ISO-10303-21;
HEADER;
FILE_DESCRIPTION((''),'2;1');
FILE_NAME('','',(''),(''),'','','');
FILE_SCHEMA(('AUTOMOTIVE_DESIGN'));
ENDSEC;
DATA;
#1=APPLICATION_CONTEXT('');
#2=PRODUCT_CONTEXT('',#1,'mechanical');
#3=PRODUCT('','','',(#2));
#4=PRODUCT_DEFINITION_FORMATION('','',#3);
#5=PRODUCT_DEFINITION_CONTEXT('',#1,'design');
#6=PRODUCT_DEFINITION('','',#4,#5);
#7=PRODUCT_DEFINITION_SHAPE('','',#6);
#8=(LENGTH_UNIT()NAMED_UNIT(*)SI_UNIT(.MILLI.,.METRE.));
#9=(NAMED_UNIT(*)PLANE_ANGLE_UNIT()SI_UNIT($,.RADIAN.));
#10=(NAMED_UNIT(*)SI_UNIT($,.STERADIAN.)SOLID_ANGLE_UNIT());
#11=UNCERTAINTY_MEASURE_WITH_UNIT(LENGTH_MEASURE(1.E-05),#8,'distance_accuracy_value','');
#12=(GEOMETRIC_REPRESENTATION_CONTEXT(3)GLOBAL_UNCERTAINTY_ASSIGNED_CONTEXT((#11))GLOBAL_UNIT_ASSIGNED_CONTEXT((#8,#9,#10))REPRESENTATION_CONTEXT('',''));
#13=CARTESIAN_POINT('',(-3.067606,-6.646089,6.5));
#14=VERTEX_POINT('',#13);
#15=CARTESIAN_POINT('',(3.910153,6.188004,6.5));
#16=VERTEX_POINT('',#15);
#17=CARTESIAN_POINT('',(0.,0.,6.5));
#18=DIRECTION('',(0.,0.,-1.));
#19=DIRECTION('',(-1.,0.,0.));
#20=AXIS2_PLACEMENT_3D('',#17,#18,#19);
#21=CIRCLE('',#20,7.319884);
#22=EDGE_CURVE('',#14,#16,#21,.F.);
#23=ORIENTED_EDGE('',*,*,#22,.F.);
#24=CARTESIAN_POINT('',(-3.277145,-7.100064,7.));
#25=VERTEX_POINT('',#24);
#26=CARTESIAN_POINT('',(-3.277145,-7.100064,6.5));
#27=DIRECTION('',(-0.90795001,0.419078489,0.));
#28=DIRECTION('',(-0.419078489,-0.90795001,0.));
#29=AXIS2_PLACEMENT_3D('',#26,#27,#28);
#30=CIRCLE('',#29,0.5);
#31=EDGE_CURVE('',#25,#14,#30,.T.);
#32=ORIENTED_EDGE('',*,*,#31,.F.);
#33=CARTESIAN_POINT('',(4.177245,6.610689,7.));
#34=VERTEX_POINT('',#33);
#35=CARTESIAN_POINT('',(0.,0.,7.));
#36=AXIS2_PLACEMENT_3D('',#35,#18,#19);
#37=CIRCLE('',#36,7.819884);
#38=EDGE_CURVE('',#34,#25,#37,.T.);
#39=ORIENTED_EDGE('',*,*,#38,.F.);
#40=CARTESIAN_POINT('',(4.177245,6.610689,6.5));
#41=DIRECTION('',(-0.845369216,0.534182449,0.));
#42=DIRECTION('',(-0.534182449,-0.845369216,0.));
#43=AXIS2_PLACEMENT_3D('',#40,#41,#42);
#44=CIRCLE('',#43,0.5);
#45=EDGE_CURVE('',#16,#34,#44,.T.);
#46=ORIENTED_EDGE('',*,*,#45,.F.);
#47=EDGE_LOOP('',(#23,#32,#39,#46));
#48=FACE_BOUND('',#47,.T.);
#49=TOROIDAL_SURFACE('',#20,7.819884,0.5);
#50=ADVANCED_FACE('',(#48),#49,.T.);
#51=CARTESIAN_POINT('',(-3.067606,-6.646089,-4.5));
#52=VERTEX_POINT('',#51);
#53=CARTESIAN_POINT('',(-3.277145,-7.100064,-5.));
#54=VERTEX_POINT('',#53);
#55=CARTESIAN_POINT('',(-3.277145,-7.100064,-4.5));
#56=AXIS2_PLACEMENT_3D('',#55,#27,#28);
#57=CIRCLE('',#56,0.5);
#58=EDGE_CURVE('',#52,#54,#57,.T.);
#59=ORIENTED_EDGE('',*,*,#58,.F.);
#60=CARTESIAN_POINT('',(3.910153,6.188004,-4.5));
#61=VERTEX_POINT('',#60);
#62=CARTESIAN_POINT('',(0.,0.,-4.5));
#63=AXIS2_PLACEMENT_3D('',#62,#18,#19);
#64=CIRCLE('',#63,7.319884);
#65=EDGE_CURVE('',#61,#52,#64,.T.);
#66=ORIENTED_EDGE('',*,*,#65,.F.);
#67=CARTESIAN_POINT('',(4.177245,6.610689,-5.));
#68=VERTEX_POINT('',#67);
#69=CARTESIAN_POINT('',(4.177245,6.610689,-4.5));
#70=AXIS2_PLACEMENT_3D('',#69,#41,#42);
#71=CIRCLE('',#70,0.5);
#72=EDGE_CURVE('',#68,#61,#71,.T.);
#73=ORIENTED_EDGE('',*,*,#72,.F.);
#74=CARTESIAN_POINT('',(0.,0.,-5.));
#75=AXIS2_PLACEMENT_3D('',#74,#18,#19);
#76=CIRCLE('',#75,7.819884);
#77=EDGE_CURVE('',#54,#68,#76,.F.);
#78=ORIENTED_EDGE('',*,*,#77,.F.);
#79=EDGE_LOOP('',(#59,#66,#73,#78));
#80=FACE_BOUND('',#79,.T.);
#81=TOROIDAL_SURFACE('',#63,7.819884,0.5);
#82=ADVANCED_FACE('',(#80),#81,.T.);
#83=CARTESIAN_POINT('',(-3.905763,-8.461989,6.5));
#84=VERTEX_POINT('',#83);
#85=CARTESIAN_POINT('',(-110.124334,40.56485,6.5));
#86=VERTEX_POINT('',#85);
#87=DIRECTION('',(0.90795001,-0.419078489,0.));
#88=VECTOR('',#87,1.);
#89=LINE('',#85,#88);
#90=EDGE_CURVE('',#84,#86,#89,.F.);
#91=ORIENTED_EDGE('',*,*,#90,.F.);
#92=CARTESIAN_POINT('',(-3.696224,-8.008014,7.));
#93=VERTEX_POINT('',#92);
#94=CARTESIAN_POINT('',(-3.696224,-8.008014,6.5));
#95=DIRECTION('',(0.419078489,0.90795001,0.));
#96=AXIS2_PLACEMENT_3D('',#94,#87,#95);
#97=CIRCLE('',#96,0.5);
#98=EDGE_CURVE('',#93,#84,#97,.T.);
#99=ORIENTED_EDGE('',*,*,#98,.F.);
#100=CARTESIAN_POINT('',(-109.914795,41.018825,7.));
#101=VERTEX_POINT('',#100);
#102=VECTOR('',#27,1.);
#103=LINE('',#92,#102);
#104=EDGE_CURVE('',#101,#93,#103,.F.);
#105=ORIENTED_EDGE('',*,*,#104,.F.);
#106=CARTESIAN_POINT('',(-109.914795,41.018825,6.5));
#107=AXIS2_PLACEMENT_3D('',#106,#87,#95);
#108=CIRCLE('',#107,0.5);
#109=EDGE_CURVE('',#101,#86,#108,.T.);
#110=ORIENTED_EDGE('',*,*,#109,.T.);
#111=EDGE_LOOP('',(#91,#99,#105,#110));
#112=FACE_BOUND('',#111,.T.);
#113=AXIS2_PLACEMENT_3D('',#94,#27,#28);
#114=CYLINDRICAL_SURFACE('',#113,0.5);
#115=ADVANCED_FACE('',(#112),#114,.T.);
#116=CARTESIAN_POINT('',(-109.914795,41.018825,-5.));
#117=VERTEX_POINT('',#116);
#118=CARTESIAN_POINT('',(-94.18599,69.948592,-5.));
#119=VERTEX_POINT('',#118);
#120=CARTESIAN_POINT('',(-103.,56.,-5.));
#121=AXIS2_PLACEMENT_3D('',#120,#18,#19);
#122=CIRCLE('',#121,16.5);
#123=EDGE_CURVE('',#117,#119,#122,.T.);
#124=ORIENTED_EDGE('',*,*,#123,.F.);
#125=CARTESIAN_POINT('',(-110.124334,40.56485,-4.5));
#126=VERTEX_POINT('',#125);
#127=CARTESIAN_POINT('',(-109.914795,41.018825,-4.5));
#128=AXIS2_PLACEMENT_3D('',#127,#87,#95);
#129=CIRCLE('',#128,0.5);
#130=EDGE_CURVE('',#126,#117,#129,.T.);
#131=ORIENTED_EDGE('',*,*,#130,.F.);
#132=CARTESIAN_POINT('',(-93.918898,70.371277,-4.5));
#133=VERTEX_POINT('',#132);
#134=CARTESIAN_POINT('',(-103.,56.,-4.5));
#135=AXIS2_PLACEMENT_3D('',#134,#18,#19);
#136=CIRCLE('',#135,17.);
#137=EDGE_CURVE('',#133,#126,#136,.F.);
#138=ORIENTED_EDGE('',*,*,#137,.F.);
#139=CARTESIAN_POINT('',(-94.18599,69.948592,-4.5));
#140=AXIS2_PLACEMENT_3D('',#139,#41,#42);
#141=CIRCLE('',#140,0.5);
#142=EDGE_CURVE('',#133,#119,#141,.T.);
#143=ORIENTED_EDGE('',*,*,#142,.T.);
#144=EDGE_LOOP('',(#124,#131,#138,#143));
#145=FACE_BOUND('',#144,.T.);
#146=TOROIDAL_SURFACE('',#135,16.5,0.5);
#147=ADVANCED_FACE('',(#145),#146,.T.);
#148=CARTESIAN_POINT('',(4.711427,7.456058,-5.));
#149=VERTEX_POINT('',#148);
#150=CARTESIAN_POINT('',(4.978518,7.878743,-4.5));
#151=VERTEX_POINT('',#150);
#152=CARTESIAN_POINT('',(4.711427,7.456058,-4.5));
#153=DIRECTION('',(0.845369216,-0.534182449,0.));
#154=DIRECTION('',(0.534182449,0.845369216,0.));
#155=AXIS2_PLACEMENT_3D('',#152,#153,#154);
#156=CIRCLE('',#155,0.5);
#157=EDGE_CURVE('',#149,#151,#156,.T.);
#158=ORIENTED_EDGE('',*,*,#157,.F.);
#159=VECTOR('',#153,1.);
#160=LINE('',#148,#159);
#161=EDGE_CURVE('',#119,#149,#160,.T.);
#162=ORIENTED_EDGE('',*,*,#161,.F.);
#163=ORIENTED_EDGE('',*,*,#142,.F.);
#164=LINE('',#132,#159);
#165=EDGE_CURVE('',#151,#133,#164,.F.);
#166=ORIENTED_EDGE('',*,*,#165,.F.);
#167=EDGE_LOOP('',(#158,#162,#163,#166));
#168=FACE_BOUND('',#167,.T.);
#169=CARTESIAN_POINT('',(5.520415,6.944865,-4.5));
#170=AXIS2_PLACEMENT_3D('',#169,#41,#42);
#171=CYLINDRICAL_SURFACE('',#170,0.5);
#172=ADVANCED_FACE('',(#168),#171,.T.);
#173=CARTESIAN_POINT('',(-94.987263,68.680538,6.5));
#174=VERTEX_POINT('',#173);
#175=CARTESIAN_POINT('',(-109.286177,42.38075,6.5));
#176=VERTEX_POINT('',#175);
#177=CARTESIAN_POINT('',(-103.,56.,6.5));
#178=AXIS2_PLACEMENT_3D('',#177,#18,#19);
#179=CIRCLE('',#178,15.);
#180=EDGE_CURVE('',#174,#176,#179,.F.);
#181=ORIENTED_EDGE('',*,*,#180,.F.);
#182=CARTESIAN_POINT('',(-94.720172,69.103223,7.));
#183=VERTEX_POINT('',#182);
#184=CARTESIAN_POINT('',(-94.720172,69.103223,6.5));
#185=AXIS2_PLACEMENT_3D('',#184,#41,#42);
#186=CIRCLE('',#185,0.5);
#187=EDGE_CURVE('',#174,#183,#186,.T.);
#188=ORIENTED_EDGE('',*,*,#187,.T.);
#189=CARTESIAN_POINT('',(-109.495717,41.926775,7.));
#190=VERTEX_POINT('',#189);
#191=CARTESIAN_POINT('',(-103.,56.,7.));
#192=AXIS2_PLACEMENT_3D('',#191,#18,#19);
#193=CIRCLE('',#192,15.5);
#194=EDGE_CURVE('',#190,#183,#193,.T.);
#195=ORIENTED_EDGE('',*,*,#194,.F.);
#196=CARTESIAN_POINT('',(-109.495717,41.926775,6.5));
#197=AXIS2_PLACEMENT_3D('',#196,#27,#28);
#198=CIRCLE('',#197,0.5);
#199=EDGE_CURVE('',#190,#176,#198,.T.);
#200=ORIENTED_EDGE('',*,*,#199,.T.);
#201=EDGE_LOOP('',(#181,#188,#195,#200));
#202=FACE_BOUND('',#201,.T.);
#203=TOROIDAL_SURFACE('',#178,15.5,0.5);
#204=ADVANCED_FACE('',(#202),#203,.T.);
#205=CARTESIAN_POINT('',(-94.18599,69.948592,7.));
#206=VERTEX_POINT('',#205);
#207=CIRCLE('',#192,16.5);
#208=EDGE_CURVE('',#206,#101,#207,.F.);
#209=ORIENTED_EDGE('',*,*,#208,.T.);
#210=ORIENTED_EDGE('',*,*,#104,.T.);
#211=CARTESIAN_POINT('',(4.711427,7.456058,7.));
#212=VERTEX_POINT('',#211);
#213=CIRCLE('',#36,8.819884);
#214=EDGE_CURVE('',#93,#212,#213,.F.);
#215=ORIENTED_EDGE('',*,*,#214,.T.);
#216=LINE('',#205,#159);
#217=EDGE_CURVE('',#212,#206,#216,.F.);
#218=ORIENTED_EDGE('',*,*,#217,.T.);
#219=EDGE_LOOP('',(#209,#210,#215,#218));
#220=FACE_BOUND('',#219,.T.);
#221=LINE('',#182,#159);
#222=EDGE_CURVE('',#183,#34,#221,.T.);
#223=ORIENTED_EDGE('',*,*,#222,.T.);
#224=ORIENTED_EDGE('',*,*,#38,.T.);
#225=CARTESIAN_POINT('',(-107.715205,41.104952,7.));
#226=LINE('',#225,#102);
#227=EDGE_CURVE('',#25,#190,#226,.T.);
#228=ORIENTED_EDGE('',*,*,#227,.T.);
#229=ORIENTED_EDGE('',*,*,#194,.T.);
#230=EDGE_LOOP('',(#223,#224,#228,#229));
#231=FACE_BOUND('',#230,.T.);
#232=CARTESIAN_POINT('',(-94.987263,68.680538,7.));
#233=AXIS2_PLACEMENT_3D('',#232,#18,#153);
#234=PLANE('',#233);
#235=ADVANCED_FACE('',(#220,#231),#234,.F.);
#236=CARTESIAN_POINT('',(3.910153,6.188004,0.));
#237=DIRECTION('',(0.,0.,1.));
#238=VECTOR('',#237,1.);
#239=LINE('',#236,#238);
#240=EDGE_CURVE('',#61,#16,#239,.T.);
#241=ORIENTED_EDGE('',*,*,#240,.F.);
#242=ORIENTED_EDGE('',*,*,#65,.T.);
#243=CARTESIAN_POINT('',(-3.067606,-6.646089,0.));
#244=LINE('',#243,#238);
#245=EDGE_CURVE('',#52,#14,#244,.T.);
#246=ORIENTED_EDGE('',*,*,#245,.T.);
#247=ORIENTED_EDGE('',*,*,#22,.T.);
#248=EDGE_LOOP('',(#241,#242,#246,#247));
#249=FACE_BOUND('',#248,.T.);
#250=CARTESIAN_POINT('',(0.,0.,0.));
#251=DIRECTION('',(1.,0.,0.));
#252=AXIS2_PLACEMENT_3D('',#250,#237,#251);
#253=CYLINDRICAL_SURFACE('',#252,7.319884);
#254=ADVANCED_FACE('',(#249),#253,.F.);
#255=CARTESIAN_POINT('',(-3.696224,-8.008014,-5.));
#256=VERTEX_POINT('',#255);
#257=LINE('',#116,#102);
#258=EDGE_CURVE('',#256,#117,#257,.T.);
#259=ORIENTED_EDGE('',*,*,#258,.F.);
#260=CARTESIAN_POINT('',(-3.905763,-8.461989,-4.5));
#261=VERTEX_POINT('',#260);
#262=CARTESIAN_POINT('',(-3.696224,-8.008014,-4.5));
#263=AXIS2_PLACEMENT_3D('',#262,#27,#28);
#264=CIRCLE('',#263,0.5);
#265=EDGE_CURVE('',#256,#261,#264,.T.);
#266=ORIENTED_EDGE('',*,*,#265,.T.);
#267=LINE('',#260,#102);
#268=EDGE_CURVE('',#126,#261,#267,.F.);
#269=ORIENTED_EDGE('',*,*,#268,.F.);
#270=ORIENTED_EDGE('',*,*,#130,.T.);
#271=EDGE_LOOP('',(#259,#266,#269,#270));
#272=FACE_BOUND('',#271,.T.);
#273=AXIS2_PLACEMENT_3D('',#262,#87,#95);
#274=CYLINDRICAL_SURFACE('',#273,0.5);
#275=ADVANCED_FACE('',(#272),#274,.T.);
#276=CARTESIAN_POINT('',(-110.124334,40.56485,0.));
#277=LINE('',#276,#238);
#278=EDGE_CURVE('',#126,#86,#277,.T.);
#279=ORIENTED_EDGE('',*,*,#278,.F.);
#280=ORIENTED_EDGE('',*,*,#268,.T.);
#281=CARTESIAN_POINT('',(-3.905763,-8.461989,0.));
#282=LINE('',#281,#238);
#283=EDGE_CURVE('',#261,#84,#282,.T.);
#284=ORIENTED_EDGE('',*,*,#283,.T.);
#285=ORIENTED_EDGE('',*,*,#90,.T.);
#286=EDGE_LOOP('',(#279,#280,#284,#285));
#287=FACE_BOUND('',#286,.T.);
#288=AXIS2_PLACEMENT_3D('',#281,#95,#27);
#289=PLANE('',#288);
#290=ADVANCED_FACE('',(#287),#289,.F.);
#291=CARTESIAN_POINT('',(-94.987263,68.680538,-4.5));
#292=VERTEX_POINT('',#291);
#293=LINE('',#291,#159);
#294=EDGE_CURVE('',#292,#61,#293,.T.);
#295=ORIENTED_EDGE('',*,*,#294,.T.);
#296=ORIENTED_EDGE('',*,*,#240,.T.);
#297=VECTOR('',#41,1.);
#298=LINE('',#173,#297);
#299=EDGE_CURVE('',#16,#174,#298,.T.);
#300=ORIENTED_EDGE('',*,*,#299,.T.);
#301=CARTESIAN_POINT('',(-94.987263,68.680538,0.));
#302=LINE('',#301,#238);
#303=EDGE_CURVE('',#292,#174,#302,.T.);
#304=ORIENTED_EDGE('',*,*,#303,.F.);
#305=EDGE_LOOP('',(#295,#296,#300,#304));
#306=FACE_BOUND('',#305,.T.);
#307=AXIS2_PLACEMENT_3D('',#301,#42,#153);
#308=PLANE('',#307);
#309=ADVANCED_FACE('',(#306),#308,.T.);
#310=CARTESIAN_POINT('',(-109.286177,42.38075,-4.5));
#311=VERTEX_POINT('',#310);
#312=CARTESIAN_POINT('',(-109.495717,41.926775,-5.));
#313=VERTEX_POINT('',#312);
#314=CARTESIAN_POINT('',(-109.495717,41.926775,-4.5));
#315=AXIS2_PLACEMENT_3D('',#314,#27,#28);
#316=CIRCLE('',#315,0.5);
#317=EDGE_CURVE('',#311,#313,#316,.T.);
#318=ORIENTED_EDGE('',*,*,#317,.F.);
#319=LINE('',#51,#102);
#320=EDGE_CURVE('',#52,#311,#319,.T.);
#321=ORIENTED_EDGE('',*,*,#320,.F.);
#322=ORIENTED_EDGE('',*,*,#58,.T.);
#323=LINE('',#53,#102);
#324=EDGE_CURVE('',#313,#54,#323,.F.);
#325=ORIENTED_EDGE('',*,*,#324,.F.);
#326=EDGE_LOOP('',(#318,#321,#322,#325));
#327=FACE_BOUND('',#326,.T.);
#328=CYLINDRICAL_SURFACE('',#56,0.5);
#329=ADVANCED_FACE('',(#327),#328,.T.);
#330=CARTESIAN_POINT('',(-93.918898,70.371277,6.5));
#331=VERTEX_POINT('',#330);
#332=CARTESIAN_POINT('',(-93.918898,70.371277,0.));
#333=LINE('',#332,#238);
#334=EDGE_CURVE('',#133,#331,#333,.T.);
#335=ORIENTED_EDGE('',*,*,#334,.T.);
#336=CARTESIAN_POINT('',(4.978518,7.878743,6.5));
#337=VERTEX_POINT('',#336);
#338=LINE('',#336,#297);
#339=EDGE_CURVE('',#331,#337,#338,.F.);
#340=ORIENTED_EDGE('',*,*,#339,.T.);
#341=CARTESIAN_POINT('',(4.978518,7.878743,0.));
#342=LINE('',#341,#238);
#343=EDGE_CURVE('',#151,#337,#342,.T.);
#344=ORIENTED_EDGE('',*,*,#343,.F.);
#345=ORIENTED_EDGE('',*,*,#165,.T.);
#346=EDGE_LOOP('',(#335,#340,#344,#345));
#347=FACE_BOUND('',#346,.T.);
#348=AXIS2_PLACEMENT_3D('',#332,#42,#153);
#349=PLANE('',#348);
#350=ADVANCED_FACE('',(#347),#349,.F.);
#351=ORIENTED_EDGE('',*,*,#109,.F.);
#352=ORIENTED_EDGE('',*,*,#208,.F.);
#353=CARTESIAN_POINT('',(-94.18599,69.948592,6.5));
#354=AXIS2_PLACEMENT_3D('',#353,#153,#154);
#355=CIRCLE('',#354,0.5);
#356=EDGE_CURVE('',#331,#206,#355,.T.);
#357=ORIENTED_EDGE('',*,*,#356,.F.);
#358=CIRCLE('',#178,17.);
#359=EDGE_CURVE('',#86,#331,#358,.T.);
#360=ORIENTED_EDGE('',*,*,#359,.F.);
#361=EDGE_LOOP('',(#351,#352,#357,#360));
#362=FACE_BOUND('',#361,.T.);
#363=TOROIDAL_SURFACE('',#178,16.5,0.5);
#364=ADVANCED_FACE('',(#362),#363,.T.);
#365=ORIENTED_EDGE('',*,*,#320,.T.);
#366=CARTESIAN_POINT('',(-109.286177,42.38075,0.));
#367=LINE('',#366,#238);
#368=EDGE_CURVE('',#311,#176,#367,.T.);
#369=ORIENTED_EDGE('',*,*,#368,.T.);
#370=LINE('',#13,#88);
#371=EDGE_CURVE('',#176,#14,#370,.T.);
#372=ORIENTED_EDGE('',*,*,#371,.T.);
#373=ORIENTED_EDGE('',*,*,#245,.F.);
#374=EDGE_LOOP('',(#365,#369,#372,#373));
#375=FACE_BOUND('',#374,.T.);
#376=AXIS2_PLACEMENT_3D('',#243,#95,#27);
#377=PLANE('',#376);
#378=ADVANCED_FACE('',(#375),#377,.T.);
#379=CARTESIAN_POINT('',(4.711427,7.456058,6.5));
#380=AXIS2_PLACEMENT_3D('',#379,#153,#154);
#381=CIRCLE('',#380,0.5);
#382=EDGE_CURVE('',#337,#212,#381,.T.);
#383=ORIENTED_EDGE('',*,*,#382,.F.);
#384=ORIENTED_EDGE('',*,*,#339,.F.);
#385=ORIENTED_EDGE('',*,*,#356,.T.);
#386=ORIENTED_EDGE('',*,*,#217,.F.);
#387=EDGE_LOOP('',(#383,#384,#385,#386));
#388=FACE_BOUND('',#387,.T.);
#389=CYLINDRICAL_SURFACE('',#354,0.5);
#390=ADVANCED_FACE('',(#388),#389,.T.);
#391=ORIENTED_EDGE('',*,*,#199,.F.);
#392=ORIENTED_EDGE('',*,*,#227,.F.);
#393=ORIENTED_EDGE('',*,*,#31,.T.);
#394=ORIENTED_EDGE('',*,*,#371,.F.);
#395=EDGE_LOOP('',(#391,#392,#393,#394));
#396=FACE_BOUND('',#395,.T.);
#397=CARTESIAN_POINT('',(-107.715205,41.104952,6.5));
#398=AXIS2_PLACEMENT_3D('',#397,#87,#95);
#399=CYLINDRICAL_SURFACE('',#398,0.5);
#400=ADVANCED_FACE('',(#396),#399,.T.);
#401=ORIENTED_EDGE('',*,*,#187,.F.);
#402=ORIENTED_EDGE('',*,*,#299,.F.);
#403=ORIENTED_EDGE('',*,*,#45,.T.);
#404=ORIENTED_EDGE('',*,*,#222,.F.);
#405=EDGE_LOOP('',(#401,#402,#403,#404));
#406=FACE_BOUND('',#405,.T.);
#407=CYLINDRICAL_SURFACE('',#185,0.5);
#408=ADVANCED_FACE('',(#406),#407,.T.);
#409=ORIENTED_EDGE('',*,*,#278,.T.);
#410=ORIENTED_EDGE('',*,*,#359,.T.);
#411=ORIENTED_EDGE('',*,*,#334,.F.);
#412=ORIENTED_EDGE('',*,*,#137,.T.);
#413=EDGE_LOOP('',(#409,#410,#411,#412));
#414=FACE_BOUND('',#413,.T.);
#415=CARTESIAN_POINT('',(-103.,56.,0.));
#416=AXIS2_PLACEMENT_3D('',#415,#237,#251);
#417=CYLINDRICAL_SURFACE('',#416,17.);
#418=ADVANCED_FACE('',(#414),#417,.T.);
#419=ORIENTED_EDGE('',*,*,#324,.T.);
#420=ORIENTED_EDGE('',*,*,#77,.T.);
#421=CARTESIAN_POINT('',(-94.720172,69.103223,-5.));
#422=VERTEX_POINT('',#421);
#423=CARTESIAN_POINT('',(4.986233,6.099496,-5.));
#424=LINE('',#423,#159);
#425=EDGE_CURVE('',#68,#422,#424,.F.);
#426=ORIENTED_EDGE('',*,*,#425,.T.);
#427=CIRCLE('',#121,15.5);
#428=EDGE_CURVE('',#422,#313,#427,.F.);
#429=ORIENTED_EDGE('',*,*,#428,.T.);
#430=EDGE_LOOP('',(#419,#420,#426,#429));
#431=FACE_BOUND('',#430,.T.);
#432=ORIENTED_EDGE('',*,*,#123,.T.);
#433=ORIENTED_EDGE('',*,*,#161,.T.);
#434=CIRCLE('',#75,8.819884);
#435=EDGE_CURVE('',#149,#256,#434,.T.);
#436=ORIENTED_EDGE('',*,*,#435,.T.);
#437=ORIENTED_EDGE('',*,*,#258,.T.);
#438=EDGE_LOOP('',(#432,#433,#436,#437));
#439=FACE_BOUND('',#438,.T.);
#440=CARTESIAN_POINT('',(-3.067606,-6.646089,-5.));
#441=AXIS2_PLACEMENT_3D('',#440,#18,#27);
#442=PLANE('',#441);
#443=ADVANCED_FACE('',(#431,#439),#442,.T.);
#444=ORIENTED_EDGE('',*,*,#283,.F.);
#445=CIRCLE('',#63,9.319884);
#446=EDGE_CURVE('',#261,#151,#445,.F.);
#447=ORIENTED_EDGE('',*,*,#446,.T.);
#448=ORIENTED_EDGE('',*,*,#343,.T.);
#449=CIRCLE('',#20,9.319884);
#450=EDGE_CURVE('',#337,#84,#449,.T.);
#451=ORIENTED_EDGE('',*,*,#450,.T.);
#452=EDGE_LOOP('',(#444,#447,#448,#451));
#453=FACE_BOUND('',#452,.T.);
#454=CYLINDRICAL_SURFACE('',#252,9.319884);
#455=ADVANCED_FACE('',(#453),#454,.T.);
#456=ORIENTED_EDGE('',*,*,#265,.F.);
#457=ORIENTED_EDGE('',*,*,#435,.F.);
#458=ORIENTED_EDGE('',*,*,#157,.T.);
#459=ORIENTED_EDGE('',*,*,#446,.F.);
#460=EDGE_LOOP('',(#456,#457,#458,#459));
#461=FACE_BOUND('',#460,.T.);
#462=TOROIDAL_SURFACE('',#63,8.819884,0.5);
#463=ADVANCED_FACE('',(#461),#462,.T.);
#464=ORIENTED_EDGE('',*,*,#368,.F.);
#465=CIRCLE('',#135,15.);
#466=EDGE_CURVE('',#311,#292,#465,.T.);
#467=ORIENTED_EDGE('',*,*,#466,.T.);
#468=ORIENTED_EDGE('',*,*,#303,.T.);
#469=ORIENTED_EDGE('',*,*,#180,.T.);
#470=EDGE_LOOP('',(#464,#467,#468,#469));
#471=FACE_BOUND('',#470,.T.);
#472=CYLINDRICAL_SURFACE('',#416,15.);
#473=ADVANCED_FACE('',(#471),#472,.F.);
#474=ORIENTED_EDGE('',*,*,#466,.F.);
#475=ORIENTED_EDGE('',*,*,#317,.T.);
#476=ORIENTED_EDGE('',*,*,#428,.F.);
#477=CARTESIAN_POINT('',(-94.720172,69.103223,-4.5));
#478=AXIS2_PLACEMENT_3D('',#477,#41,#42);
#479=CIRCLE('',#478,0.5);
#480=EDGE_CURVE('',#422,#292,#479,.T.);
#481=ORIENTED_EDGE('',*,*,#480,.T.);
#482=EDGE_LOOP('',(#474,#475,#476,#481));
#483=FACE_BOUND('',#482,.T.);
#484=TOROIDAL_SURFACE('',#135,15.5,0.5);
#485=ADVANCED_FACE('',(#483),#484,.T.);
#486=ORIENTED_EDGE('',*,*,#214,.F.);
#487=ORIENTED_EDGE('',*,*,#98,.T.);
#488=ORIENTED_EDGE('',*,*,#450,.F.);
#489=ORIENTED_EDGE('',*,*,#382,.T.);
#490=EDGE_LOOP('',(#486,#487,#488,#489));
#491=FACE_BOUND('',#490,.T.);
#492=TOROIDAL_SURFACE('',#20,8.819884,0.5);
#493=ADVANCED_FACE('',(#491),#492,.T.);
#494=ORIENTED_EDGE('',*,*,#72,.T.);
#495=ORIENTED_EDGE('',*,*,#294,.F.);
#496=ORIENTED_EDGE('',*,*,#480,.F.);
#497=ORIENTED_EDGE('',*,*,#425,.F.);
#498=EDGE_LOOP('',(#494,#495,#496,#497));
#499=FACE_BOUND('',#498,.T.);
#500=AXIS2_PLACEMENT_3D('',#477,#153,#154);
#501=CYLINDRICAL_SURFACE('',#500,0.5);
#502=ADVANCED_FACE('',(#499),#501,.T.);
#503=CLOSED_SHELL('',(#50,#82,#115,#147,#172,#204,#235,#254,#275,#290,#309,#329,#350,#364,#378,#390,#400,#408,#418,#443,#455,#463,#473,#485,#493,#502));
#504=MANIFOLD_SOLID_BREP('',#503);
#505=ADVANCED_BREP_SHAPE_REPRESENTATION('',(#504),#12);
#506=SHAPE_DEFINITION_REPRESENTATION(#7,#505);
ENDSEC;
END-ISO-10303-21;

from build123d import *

# Parameters (mm, degrees)
SURFACE_EXTRUDE4_1_BACK  = 5
SURFACE_EXTRUDE4_1_DEPTH = 12
THICKEN3_T1              = 2
FILLET3_R                = 0.5


with BuildPart() as body_1:
    # Surface-Extrude4: a surface, the sketch's curves swept straight by 12 mm
    with BuildLine(Plane.XY.offset(-SURFACE_EXTRUDE4_1_BACK), mode=Mode.PRIVATE) as surface_extrude4_1_path:
        Line((-3.067605851, -6.646088585), (-109.286177334, 42.380749855))
        ThreePointArc((-109.286177334, 42.380749855), (-116.178200525, 63.164846887), (-94.987263263, 68.680538237))
        Line((-94.987263263, 68.680538237), (3.910153467, 6.188004445))
        ThreePointArc((3.910153467, 6.188004445), (6.430859787, -3.496389787), (-3.067605851, -6.646088585))
    surface_extrude4_1 = Shell.extrude(surface_extrude4_1_path.wire(), (0 * SURFACE_EXTRUDE4_1_DEPTH, 0 * SURFACE_EXTRUDE4_1_DEPTH, 1 * SURFACE_EXTRUDE4_1_DEPTH))
    add(Solid.thicken(surface_extrude4_1, THICKEN3_T1))

    # Fillet3
    fillet3_edges = [body_1.edges().sort_by_distance(p)[0] for p in [
        (6.430859787, -3.496389787, -5),
        (-56.176891592, 17.867330635, -5),
        (-116.178200525, 63.164846887, -5),
        (-45.538554898, 37.434271341, -5),
        (8.18795319, -4.451702705, 7),
        (-57.01504857, 16.051430615, 7),
        (-117.935293928, 64.120159806, 7),
        (-44.47019, 39.125009772, 7),
        (8.18795319, -4.451702705, -5),
        (-57.01504857, 16.051430615, -5),
        (-117.935293928, 64.120159806, -5),
        (-44.47019, 39.125009772, -5),
        (-45.538554898, 37.434271341, 7),
        (-116.178200525, 63.164846887, 7),
        (-56.176891592, 17.867330635, 7),
        (6.430859787, -3.496389787, 7),
    ]]
    fillet(fillet3_edges, radius=FILLET3_R)


solid = body_1.part
